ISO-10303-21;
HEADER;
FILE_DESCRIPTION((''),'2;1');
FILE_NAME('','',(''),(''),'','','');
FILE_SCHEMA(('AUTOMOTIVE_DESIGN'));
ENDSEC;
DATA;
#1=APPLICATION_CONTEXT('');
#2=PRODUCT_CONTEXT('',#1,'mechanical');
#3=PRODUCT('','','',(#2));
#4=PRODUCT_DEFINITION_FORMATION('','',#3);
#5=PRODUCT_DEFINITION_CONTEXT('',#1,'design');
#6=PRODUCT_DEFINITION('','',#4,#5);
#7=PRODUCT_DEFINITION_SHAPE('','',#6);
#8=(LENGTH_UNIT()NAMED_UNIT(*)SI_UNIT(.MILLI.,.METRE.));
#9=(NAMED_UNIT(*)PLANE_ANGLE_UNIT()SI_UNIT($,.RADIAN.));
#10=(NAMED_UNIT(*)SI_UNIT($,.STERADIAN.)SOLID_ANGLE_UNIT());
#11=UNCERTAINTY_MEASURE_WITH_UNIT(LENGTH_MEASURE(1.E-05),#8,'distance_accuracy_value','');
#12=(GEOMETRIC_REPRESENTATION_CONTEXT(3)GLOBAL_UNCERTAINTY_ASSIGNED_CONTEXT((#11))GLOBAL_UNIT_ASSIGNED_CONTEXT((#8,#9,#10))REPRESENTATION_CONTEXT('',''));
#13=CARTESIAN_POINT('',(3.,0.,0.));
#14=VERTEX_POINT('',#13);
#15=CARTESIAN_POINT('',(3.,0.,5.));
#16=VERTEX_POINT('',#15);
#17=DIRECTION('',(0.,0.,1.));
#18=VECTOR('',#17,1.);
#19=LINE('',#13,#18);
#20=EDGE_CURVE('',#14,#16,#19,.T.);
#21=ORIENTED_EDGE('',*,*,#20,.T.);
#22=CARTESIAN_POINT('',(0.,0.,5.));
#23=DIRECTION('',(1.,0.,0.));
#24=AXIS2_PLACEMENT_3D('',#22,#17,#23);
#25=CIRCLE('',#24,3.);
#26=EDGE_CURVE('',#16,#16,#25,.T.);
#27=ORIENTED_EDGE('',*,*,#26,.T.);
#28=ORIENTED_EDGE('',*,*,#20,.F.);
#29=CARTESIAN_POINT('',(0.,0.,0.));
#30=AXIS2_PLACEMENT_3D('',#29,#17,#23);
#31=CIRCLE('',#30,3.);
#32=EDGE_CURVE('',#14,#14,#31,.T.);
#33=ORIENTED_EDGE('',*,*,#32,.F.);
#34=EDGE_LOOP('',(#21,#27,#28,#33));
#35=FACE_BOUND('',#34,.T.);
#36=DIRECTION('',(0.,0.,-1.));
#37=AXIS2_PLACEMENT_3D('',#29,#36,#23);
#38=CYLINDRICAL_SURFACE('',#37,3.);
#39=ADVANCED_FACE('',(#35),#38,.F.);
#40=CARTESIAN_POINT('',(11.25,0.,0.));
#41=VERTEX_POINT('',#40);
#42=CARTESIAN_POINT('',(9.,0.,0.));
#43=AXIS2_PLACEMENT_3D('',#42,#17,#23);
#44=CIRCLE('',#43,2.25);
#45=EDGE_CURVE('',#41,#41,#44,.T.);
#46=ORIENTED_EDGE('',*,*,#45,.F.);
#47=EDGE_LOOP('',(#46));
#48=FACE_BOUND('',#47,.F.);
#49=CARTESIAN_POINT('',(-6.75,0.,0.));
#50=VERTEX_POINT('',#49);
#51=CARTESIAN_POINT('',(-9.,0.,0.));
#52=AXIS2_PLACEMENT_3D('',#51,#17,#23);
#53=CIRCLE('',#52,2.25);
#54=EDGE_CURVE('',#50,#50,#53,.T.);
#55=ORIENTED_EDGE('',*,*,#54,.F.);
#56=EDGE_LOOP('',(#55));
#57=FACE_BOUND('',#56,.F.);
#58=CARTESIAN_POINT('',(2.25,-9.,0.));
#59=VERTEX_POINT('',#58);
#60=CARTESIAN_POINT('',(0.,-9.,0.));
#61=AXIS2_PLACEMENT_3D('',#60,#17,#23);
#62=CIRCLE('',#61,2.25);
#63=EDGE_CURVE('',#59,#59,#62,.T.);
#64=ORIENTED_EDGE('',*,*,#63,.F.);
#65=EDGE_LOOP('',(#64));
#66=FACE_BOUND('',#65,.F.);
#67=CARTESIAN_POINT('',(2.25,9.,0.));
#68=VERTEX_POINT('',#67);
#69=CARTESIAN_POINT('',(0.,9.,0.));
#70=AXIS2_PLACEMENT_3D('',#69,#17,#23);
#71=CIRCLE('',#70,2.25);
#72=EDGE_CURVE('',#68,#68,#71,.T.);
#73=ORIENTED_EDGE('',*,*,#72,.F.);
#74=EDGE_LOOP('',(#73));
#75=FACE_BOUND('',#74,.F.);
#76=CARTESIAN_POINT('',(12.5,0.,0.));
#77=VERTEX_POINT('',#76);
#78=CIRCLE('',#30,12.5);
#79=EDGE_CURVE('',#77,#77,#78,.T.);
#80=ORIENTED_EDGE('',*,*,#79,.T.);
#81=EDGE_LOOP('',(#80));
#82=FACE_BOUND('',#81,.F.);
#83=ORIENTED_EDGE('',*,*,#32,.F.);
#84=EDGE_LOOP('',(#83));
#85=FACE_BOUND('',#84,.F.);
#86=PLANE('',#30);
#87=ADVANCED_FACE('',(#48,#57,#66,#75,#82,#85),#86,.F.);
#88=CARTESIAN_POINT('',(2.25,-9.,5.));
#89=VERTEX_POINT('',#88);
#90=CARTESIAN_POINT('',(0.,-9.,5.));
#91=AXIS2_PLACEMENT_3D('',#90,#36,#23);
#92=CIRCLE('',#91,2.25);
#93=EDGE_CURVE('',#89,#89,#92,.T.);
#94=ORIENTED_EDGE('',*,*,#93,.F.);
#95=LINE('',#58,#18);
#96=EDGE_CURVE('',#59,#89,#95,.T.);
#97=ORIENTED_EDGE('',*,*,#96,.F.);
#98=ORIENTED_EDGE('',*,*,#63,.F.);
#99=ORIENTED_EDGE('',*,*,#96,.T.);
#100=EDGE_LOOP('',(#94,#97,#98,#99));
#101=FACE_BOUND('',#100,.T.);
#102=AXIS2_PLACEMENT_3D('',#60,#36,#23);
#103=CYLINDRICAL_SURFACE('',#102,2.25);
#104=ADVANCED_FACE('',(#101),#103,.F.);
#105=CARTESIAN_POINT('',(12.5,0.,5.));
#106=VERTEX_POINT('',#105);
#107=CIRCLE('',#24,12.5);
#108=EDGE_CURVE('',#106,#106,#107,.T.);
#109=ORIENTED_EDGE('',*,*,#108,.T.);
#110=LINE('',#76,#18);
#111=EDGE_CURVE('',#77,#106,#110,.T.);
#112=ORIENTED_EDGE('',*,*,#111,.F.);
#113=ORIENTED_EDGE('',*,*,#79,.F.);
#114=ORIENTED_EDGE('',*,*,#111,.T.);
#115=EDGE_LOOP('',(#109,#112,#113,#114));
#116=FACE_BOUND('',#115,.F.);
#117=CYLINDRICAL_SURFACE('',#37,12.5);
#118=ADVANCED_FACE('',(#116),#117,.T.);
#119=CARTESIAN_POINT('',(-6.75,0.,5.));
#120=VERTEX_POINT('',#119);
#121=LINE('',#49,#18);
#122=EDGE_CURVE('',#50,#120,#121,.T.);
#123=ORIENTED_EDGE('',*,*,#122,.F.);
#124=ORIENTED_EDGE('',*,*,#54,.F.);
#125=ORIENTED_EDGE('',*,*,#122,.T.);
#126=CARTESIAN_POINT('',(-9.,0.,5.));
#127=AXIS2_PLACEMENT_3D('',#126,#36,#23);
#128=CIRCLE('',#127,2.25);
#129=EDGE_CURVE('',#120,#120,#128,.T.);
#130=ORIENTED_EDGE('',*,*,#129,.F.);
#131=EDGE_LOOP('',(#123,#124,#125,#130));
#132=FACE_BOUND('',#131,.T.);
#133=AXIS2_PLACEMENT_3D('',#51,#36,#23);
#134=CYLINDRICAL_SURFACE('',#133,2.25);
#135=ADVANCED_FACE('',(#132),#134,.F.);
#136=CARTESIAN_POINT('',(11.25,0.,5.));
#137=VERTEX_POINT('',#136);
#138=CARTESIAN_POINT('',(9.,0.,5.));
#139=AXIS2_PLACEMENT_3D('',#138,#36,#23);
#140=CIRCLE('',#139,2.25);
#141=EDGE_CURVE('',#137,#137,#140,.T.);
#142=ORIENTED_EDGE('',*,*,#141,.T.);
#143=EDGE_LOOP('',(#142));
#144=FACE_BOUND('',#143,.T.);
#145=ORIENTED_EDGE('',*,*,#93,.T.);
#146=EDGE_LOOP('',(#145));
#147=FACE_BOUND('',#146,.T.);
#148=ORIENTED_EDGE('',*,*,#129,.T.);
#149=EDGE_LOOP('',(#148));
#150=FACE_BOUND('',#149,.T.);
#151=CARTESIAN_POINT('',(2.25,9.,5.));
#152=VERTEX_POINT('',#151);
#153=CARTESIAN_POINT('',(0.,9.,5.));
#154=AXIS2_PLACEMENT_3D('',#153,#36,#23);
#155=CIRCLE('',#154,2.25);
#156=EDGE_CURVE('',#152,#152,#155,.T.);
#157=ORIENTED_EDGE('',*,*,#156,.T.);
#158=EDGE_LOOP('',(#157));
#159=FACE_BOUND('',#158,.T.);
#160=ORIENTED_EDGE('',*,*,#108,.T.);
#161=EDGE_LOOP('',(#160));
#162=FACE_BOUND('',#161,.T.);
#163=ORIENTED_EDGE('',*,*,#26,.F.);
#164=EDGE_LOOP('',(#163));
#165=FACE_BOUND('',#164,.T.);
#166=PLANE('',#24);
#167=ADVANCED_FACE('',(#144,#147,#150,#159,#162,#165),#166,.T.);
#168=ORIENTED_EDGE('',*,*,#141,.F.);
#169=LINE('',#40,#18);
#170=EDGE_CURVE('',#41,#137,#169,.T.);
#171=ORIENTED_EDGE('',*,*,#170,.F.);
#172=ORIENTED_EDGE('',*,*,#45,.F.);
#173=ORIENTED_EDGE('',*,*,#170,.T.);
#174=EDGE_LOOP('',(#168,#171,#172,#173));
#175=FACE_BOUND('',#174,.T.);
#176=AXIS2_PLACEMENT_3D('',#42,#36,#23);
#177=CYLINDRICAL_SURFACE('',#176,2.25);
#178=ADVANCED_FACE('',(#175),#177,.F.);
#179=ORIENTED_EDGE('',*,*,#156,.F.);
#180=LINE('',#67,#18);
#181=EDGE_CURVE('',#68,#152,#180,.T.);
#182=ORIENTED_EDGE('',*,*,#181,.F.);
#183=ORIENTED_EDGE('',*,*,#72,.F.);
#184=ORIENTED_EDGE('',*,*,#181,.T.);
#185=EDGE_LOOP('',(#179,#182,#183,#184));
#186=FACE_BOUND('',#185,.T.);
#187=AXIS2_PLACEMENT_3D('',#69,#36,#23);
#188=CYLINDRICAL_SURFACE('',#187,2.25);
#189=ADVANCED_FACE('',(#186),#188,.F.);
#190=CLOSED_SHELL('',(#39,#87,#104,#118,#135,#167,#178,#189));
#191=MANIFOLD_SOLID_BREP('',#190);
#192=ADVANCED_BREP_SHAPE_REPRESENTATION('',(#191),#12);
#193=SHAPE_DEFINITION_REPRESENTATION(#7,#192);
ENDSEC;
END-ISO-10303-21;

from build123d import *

# Parameters (mm, degrees)
F0_R     = 12.5
F0_R_2   = 3
F1_DEPTH = 5
F2_R     = 2.25
F3_DEPTH = 10
F4_R     = 2.25
F5_DEPTH = 10


with BuildPart() as f1:
    # F0 (on Top) → F1 (new body)
    with BuildSketch(Plane.XY):
        Circle(F0_R)
        Circle(F0_R_2, mode=Mode.SUBTRACT)
    extrude(amount=F1_DEPTH)

    # F2 (on Top) → F3 (cut)
    with BuildSketch(Plane.XY):
        with Locations((0, 9)):
            Circle(F2_R)
        with Locations((0, -9)):
            Circle(F2_R)
    extrude(amount=F3_DEPTH, mode=Mode.SUBTRACT)

    # F4 (on Top) → F5 (cut)
    with BuildSketch(Plane.XY):
        with Locations((-9, 0)):
            Circle(F4_R)
        with Locations((9, 0)):
            Circle(F4_R)
    extrude(amount=F5_DEPTH, mode=Mode.SUBTRACT)


solid = f1.part
